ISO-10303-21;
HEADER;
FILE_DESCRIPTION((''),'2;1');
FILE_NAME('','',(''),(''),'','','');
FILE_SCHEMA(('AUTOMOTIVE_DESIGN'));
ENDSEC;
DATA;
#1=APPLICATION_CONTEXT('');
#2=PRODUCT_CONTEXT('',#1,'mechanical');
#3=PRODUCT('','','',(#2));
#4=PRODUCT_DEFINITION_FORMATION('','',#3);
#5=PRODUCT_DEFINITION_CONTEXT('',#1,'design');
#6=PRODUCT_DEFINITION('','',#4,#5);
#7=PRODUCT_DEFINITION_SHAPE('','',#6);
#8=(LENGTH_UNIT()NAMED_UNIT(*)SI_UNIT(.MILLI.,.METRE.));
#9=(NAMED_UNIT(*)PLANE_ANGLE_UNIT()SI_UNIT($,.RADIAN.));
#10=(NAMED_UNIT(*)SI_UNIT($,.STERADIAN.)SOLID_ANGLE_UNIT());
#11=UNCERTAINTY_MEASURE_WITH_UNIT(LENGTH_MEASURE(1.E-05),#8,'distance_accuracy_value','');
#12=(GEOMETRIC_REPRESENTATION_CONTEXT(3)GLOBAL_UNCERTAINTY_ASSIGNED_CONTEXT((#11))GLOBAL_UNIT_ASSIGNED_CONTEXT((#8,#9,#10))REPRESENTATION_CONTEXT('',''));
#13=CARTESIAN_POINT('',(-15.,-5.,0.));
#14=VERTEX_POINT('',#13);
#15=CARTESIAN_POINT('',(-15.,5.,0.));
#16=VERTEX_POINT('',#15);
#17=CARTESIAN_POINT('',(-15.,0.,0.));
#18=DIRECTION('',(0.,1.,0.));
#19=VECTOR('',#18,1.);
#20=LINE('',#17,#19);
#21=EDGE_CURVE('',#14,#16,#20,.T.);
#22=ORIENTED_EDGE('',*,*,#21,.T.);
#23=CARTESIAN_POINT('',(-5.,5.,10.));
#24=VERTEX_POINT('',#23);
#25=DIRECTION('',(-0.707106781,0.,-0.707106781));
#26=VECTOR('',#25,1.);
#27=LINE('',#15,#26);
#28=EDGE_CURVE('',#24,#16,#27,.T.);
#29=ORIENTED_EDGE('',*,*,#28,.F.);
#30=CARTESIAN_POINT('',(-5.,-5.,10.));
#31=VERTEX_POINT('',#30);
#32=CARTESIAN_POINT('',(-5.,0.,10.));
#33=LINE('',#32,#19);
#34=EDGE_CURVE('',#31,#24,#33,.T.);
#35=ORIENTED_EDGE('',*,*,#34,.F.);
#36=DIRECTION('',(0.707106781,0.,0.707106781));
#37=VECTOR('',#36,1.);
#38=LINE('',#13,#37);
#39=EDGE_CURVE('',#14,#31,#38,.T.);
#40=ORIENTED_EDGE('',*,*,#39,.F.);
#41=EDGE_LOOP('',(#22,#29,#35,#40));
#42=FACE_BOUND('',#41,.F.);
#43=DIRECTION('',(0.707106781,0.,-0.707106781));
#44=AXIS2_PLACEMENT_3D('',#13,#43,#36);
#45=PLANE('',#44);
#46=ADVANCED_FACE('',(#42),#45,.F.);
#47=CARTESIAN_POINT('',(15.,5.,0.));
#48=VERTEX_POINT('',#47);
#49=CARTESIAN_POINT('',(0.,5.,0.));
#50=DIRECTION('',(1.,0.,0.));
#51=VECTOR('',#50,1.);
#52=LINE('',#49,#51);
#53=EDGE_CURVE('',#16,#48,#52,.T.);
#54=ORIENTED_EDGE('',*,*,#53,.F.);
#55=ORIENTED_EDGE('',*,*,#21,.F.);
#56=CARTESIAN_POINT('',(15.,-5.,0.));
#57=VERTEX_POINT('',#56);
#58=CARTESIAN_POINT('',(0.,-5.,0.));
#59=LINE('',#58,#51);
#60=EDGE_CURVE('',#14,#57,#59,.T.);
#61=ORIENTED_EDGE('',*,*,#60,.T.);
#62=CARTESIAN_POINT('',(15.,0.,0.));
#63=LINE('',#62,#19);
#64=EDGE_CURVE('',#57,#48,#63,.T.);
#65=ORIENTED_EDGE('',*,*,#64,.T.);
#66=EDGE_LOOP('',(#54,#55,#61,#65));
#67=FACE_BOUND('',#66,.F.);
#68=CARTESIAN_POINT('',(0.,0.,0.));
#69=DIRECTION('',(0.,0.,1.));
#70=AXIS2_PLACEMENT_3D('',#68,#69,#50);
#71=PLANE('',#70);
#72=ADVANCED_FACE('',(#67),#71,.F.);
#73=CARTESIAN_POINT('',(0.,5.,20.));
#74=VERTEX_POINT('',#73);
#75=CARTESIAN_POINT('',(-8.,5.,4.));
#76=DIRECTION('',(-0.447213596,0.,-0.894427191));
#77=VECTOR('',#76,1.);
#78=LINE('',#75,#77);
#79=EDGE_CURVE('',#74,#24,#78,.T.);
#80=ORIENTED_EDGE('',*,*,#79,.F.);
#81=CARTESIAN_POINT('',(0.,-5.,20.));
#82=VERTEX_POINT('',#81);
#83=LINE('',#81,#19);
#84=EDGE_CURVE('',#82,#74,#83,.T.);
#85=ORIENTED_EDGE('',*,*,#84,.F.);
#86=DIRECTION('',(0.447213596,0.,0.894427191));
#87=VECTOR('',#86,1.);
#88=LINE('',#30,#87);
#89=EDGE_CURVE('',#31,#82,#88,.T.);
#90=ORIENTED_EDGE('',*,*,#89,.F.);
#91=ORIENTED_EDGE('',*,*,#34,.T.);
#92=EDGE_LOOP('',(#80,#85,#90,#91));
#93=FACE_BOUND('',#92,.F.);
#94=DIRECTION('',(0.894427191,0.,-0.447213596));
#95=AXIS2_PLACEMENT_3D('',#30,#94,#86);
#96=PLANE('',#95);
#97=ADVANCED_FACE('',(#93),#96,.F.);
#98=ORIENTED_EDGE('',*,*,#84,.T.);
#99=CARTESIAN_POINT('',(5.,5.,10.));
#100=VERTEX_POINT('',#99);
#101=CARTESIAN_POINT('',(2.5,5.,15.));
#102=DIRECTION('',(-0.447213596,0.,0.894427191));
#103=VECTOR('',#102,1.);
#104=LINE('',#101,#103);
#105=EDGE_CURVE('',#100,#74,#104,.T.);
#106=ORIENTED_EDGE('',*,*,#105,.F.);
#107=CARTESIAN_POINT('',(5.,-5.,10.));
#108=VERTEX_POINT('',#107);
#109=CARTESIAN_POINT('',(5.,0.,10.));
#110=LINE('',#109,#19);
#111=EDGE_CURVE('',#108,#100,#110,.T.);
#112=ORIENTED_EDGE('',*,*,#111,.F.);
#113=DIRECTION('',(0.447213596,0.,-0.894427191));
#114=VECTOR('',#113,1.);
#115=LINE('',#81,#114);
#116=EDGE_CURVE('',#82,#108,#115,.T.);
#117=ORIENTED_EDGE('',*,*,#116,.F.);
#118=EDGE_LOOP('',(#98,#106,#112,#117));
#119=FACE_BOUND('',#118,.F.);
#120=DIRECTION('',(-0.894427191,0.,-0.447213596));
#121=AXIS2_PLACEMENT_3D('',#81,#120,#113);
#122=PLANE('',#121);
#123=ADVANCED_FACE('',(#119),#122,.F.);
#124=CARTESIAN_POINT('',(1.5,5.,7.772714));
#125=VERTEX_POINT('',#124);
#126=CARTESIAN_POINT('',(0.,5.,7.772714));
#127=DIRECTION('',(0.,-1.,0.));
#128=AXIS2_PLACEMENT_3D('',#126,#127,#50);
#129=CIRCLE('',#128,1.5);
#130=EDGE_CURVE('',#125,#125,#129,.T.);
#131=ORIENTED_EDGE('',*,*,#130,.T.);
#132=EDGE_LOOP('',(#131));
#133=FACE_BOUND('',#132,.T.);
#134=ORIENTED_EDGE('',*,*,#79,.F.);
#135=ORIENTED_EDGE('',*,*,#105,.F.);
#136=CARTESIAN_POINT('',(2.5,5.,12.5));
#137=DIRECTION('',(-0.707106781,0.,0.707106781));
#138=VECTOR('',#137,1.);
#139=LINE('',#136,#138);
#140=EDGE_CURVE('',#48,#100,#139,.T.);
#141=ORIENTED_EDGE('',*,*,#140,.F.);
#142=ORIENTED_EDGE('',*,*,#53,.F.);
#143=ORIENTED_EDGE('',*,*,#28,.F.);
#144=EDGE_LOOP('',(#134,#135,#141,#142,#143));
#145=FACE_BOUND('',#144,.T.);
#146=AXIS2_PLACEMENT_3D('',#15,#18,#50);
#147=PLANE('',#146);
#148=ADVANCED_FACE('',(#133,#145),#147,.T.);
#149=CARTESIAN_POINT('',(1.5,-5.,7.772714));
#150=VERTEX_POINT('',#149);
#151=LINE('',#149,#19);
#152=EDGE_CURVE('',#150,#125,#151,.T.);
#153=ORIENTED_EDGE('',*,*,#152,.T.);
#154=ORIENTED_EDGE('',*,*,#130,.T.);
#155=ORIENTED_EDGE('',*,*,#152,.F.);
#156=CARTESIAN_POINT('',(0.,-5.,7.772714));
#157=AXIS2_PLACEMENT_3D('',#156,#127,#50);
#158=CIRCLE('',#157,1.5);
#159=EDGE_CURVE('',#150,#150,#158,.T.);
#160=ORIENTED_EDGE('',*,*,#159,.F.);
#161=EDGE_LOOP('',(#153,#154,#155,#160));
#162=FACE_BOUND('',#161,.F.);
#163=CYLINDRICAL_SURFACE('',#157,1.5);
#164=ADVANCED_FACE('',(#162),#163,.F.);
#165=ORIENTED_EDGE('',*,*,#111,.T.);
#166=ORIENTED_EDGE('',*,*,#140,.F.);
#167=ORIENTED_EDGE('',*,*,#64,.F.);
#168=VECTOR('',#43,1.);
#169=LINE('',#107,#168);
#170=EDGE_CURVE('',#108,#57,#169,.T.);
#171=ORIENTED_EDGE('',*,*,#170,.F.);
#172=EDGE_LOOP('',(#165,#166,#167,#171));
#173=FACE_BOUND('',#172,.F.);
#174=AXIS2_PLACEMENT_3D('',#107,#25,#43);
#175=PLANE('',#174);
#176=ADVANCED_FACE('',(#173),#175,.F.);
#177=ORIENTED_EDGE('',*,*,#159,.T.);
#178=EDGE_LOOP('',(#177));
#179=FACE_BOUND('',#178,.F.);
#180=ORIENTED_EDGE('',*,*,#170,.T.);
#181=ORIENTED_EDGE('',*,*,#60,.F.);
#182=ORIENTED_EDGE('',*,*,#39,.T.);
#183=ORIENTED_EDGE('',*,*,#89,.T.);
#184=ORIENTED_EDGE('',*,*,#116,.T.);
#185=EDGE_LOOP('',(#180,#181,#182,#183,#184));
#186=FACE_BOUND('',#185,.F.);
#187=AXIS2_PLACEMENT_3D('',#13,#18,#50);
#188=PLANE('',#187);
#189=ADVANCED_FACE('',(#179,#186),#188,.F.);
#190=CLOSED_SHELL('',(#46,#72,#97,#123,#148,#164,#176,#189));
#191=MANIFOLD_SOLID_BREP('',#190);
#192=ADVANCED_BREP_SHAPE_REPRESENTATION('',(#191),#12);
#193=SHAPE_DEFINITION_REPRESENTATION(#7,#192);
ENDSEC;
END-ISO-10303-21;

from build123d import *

# Parameters (mm, degrees)
F0_W     = 30
F0_H     = 10
F1_DEPTH = 10
F2_W     = 10
F2_H     = 10
F3_DEPTH = 10
F4_R     = 1.5
F5_DEPTH = 10.001
F7_DEPTH = 10.001


with BuildPart() as f1:
    # F0 (on Top) → F1 (new body)
    with BuildSketch(Plane.XY):
        Rectangle(F0_W, F0_H)
    extrude(amount=F1_DEPTH)

    # F2 (on face) → F3 (join)
    with BuildSketch(Plane.XY.offset(10)):
        Rectangle(F2_W, F2_H)
    extrude(amount=F3_DEPTH)

    # F4 (on face) → F5 (cut, through all)
    with BuildSketch(Plane.XZ.offset(5)):
        with Locations((0, 7.772714)):
            Circle(F4_R)
    extrude(amount=-F5_DEPTH, mode=Mode.SUBTRACT)

    # F6 (on face) → F7 (cut, through all)
    with BuildSketch(Plane.XZ.offset(5)):
        Polygon((-15, 0), (-5, 10), (-15, 10), align=None)
        Polygon((-5, 20), (-5, 10), (0, 20), align=None)
        Polygon((5, 20), (0, 20), (5, 10), align=None)
        Polygon((15, 10), (5, 10), (15, 0), align=None)
    extrude(amount=-F7_DEPTH, mode=Mode.SUBTRACT)


solid = f1.part
